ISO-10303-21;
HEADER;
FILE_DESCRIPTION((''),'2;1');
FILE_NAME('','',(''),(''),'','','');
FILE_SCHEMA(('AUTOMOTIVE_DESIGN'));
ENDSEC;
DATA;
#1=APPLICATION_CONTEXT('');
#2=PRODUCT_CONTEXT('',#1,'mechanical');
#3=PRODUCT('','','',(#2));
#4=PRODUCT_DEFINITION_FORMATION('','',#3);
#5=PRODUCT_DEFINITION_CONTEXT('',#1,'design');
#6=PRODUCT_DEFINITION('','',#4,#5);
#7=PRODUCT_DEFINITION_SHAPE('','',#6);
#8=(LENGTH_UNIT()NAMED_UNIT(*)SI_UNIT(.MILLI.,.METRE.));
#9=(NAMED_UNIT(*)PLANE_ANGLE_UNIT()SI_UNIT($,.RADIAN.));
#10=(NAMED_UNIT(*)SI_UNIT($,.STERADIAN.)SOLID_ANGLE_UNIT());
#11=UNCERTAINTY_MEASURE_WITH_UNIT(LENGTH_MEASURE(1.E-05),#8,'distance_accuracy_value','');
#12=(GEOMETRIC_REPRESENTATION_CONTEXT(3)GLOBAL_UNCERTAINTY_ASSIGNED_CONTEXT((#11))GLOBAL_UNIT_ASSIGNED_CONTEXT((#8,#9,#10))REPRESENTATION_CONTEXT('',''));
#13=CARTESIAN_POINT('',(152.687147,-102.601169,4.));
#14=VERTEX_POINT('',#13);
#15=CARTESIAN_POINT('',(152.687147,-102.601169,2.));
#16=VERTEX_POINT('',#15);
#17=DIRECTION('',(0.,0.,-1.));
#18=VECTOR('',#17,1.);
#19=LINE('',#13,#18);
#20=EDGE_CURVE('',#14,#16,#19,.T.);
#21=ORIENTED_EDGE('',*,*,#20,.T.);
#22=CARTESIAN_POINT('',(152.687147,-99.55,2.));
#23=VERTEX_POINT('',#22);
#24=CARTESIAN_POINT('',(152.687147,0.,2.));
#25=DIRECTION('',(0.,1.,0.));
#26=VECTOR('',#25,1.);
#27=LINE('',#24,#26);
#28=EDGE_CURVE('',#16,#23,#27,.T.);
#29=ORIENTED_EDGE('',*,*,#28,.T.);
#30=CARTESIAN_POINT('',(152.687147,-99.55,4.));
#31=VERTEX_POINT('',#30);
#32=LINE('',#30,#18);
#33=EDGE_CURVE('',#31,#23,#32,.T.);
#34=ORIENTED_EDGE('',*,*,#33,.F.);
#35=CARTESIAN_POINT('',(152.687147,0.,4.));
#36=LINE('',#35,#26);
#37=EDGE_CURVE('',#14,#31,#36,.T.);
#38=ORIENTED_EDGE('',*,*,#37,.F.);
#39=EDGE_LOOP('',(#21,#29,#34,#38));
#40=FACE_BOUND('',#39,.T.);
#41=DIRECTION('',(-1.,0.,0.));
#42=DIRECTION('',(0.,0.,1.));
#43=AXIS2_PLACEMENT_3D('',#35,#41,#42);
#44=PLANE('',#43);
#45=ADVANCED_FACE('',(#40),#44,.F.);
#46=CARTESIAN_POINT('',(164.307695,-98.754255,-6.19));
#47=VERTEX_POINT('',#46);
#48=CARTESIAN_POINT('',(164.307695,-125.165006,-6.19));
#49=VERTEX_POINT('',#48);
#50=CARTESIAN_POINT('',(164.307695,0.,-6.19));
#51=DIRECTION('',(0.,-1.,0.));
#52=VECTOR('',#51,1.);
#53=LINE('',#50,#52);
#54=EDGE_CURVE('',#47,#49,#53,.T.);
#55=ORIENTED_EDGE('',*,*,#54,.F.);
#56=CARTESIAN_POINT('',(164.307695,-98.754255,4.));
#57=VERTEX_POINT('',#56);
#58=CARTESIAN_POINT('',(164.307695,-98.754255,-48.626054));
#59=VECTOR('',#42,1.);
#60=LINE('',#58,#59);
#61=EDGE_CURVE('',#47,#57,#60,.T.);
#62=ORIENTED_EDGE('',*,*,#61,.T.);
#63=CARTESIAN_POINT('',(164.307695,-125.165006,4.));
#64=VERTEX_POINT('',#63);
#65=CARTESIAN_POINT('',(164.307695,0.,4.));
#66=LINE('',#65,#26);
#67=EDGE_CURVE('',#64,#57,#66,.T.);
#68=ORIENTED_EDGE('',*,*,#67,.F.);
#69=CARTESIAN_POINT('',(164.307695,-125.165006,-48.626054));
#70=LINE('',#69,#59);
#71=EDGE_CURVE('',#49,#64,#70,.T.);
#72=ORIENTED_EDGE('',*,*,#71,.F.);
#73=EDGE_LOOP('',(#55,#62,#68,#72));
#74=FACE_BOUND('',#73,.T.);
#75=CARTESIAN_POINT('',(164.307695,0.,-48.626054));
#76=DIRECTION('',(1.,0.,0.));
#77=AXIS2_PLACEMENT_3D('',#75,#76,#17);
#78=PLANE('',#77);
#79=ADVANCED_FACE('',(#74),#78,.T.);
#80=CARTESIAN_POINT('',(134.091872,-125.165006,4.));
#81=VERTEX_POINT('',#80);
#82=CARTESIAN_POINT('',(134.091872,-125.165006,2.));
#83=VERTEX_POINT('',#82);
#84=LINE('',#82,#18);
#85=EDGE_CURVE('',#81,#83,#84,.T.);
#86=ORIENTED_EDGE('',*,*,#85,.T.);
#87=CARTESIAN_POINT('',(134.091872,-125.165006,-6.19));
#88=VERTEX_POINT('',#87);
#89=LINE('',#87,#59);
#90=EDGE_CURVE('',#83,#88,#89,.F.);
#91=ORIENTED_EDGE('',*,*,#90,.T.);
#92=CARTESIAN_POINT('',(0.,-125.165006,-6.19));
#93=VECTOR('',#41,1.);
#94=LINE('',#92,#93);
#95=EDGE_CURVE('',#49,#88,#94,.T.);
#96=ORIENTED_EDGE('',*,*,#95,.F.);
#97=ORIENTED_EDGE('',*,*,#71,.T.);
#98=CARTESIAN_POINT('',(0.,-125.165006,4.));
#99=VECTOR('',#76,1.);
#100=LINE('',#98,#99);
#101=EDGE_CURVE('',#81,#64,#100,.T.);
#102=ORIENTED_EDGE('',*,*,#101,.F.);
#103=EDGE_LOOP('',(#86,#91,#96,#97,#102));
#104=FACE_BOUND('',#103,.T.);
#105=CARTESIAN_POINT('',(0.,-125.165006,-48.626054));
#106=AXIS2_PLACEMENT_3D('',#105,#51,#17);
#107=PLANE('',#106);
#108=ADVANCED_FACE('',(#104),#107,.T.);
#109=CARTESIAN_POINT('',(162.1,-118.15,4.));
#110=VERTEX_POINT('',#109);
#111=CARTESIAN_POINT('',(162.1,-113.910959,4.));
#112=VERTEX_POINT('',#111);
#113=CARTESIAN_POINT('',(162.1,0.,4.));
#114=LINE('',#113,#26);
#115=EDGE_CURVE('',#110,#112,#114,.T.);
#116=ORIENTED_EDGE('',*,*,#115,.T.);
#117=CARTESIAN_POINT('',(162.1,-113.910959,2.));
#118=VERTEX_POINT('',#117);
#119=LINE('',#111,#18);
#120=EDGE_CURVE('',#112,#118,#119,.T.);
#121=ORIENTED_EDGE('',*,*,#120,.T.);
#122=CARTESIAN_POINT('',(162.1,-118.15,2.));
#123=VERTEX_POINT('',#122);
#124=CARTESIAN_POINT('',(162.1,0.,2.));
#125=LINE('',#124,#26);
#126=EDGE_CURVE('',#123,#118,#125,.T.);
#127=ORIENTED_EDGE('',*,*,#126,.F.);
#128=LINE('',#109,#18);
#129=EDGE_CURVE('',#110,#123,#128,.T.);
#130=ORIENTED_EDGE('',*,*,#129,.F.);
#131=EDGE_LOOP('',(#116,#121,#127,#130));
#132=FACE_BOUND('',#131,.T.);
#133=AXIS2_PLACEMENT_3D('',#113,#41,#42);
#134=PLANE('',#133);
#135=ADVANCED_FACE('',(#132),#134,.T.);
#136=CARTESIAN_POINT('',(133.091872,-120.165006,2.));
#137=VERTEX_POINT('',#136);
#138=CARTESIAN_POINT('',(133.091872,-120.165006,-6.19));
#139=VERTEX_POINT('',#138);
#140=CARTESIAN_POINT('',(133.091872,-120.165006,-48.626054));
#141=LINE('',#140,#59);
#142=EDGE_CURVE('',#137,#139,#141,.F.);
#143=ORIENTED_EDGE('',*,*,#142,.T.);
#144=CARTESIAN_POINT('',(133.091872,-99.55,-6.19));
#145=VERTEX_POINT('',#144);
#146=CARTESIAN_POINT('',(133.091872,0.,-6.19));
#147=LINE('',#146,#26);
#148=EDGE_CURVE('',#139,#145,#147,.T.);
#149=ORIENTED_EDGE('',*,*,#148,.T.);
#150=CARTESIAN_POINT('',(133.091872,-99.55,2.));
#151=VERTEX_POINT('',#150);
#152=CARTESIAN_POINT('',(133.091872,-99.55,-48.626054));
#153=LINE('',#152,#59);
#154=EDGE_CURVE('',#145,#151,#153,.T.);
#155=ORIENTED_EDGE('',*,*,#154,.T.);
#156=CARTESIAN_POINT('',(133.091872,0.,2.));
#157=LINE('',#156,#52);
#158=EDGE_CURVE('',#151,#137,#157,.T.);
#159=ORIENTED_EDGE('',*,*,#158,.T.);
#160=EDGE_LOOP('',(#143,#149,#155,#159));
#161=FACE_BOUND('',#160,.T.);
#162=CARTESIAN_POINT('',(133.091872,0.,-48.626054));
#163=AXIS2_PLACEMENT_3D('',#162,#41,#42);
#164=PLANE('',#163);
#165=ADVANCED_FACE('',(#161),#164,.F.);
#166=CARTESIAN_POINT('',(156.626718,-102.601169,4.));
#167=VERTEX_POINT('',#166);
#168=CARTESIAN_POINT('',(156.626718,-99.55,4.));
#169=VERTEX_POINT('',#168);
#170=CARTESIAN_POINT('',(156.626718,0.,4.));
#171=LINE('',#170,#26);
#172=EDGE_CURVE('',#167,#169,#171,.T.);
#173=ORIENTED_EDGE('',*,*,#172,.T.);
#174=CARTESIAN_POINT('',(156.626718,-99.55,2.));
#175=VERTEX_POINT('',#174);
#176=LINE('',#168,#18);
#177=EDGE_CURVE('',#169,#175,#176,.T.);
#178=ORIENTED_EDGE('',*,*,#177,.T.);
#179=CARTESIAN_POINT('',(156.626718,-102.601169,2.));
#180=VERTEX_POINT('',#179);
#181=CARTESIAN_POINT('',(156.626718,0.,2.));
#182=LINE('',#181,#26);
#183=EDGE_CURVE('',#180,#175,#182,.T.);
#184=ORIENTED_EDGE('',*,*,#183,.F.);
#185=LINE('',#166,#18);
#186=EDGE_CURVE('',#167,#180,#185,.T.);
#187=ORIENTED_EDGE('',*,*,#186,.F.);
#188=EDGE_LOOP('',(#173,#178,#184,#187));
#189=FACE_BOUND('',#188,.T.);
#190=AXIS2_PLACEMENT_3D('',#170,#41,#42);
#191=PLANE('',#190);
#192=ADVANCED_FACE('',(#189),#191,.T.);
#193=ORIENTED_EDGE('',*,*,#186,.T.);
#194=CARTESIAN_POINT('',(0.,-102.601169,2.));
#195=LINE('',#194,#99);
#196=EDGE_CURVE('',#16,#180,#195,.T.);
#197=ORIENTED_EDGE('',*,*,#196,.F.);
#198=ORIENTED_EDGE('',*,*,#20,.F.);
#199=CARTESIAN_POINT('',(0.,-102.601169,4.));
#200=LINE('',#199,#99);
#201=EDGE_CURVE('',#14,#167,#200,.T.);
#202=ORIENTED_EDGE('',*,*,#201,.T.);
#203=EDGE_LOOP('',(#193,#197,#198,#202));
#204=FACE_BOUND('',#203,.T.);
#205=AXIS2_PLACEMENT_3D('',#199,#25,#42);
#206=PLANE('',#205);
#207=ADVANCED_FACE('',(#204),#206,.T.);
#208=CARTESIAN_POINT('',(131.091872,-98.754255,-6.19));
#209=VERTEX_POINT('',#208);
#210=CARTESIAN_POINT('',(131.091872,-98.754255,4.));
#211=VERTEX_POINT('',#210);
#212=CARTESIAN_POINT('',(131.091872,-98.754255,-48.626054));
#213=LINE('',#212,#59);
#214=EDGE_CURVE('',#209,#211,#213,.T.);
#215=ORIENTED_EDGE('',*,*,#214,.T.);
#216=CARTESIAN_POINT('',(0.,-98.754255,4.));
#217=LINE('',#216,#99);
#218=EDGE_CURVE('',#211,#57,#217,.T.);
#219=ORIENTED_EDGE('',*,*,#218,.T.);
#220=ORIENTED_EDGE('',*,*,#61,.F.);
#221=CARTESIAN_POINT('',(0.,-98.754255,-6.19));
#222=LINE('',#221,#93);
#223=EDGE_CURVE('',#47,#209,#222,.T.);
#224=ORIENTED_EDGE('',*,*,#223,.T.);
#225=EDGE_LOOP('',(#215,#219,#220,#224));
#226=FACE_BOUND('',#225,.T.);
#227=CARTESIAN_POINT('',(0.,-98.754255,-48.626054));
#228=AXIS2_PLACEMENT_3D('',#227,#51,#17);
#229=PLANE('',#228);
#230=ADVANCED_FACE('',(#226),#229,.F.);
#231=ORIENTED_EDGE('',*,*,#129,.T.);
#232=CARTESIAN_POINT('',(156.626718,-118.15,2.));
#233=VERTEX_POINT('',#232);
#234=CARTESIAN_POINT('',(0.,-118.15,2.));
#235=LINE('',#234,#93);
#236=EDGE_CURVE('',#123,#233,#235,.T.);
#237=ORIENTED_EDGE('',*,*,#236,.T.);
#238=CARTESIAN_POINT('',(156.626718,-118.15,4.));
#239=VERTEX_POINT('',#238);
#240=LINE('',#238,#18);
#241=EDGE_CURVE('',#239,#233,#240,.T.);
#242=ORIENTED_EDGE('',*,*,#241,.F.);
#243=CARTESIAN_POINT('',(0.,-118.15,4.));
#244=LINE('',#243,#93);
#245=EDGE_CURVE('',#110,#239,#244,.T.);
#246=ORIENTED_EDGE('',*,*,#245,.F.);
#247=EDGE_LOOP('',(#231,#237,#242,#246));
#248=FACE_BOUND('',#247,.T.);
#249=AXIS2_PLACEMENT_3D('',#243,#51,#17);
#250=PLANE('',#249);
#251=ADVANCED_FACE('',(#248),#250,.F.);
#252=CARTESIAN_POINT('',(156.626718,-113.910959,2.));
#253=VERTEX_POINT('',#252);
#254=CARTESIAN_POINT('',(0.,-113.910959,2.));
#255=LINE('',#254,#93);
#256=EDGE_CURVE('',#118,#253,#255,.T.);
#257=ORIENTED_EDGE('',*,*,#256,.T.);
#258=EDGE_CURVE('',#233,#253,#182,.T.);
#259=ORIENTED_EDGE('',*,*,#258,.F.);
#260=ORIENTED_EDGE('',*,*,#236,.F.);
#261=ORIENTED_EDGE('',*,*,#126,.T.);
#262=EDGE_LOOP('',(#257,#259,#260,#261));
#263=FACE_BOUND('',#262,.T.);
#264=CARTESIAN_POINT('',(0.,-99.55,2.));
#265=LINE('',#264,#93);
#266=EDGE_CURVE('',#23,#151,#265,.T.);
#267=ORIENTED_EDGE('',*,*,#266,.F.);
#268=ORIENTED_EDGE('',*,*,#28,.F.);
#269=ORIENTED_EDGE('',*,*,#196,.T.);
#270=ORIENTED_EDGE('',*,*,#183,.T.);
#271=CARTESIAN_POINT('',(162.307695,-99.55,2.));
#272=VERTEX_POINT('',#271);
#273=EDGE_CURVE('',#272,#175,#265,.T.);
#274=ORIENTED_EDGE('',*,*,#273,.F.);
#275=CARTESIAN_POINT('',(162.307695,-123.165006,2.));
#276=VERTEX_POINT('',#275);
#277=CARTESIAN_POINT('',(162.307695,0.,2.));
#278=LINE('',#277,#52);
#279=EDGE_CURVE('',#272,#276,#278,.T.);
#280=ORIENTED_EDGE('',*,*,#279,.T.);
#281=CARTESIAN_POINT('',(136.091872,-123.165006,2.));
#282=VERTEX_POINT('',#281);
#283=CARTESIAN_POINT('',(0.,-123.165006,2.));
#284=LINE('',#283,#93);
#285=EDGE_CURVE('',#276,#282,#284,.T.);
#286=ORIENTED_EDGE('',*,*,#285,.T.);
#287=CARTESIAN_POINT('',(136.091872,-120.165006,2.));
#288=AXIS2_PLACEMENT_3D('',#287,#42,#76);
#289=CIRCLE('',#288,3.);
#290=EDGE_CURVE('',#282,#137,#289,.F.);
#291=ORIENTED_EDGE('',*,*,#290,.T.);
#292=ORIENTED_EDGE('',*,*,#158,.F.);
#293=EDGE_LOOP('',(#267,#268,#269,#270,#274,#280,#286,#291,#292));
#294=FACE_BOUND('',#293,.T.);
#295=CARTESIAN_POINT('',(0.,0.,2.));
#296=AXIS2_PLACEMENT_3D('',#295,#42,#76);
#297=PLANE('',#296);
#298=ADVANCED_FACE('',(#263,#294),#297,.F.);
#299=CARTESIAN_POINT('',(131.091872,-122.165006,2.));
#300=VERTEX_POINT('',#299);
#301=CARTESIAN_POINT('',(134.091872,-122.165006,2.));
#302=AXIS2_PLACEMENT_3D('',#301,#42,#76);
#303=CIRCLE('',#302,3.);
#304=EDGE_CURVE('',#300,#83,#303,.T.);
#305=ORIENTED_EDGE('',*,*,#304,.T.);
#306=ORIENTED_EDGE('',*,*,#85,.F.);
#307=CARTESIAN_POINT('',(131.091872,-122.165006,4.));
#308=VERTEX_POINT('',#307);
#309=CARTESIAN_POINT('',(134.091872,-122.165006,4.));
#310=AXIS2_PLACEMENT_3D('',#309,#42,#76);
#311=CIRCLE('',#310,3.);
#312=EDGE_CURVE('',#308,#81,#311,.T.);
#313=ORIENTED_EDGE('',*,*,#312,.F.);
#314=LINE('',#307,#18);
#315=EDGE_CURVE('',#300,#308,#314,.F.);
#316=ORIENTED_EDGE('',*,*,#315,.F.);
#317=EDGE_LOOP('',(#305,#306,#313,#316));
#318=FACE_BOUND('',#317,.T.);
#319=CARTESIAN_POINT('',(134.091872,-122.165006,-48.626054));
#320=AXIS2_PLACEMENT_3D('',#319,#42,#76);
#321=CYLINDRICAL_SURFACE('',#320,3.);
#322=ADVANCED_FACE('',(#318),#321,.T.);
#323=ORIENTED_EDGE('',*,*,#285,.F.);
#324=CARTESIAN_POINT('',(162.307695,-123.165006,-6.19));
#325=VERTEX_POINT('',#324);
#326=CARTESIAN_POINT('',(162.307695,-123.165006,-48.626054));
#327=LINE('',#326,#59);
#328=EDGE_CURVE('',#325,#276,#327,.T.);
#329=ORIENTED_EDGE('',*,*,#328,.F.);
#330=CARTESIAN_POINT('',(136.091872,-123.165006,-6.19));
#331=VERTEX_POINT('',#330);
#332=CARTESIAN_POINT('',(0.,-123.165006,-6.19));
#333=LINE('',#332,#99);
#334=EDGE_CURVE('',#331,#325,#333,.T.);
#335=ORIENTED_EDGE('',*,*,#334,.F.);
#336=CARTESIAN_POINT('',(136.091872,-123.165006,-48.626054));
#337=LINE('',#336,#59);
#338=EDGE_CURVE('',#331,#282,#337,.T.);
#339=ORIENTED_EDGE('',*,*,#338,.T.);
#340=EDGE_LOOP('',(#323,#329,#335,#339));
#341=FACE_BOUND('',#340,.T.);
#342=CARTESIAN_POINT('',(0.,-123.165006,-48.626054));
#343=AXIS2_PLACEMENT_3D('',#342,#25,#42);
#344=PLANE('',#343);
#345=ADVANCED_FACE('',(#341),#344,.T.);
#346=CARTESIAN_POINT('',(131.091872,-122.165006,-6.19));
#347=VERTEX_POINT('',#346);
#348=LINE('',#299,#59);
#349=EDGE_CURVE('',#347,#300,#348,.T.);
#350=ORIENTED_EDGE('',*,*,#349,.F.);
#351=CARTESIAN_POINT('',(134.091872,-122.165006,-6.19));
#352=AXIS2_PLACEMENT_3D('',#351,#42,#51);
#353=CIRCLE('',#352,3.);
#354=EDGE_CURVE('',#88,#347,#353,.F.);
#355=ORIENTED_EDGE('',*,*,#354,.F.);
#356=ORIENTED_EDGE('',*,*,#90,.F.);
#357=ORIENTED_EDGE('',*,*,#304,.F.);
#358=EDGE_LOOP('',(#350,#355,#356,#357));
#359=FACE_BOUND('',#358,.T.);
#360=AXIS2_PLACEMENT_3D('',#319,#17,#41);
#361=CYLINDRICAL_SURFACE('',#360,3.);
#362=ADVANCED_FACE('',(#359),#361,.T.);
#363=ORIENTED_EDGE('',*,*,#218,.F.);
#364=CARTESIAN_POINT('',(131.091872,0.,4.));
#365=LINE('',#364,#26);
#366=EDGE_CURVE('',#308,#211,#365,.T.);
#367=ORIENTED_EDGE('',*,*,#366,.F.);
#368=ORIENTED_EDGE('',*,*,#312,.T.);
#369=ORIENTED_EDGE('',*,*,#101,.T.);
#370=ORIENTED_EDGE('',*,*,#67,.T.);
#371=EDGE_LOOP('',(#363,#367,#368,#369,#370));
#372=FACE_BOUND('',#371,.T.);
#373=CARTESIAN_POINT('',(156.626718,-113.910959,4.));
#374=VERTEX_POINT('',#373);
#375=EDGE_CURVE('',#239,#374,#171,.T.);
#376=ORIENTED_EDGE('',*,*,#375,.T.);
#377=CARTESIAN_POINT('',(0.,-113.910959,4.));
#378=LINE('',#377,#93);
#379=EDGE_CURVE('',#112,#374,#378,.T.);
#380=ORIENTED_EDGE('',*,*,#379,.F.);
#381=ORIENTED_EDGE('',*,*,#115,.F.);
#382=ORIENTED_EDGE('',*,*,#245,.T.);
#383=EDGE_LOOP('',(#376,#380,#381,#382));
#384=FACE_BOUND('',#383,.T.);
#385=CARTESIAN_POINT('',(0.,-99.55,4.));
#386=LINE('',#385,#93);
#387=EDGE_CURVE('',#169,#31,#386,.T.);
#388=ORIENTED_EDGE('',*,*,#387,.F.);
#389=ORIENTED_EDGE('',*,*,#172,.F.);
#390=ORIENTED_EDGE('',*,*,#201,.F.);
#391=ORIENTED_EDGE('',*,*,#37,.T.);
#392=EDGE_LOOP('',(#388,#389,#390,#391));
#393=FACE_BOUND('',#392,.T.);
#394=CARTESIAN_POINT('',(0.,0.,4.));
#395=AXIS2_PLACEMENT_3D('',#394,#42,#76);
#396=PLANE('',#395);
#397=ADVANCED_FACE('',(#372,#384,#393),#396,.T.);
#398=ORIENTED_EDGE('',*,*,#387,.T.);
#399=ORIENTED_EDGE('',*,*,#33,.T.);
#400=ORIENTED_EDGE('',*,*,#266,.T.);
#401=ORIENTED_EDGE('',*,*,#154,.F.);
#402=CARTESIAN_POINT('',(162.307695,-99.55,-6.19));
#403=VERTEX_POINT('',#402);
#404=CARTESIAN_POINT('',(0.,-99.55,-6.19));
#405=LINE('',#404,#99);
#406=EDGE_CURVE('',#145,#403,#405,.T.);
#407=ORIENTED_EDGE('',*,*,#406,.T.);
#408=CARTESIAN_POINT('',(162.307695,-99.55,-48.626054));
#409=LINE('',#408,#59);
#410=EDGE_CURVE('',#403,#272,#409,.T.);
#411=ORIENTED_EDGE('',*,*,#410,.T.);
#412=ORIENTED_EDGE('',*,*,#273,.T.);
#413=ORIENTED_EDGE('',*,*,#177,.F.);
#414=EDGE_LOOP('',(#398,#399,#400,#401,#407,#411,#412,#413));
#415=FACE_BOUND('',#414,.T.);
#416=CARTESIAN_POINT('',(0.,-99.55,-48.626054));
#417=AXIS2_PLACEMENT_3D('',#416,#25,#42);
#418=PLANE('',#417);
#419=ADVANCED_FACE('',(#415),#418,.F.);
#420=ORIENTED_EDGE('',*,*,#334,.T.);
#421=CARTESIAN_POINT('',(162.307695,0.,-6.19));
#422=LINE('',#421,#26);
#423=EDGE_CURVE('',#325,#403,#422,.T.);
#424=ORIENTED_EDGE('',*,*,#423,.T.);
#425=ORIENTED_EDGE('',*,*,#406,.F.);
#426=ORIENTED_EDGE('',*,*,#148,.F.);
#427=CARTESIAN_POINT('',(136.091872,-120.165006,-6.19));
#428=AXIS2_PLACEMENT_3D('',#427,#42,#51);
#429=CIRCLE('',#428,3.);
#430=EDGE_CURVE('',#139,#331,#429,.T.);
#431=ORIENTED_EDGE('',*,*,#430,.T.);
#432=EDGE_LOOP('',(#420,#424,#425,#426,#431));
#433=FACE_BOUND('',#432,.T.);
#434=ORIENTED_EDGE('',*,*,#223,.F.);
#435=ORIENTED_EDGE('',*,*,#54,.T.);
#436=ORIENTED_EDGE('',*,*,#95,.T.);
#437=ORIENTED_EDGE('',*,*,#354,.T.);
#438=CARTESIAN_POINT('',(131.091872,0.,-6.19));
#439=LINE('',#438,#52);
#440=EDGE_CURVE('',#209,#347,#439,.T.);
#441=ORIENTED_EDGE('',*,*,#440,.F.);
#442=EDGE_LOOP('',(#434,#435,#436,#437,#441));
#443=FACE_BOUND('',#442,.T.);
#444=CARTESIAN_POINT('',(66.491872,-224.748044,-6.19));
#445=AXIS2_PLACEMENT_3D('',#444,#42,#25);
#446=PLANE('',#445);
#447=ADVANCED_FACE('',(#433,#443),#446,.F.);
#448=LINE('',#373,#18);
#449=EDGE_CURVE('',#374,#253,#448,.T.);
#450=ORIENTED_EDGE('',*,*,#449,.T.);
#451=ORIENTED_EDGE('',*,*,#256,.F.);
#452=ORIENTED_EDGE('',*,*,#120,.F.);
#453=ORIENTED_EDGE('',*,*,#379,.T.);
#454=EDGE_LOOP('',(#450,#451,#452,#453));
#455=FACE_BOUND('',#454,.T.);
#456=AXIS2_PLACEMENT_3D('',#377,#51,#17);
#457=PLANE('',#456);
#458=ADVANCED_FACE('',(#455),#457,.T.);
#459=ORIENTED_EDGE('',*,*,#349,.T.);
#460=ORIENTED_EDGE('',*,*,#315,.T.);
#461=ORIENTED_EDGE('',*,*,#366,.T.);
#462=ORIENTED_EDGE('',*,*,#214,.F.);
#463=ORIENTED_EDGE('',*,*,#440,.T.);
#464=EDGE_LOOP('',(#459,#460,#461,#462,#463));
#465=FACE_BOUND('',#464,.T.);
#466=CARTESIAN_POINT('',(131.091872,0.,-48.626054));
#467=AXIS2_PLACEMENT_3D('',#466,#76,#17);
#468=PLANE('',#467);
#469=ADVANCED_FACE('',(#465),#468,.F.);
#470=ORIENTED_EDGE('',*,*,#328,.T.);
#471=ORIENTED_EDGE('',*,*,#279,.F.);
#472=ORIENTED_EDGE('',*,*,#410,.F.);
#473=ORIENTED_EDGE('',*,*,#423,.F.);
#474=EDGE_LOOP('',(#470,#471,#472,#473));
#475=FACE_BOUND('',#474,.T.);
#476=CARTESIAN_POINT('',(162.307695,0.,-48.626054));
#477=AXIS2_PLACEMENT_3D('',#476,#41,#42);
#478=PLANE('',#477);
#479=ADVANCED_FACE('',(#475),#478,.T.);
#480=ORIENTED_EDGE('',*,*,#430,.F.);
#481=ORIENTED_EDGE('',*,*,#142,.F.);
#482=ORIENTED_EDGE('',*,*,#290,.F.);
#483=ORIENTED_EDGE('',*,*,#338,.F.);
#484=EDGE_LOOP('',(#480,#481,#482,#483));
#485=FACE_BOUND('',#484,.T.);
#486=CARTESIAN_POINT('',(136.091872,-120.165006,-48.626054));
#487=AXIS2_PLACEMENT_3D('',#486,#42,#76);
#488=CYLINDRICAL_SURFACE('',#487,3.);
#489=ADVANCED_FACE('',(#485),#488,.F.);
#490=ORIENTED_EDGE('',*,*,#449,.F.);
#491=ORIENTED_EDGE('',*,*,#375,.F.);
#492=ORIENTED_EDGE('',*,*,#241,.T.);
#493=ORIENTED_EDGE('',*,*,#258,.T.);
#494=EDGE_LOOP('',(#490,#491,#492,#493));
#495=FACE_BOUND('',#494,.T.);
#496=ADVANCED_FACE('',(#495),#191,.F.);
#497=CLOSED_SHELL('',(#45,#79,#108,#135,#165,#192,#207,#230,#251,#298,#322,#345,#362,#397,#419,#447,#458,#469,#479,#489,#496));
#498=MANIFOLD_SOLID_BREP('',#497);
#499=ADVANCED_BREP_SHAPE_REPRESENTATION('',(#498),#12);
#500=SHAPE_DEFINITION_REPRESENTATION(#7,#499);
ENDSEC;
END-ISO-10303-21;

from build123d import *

# Parameters (mm, degrees)
PERIMETER_START     = -6.19
PERIMETER_DEPTH     = 8.19
FILLET1_R           = 3
BOSS_EXTRUDE3_START = 2
SKETCH2_8_W         = 5.473282091
SKETCH2_8_H         = 4.239040608
BOSS_EXTRUDE3_DEPTH = 2
FILLET3_R           = 3


with BuildPart() as part:
    # Sketch2 → Perimeter (new body)
    with BuildSketch(Plane.XY.offset(PERIMETER_START)):
        Polygon((131.091872, -113.860488221), (131.091872, -125.165005986), (164.307694987, -125.165005986), (164.307694987, -114.861877626), (164.307694987, -107.096275934), (164.307694987, -98.754254601), (131.091872, -98.754254601), (131.091872, -106.09488653), align=None)
        Polygon((133.091872, -99.55), (152.68714679, -99.55), (156.626717909, -99.55), (162.307694987, -99.55), (162.307694987, -123.165005986), (133.091872, -123.165005986), align=None, mode=Mode.SUBTRACT)
    extrude(amount=PERIMETER_DEPTH)

    # Fillet1
    fillet1_edges = [part.edges().sort_by_distance(p)[0] for p in [
        (133.091872, -123.165005986, -2.095),
        (131.091872, -125.165005986, -2.095),
    ]]
    fillet(fillet1_edges, radius=FILLET1_R)

    # Sketch2<8> → Boss-Extrude3 (add)
    # profile 1 of 2: a face of its own
    with BuildSketch(Plane.XY.offset(BOSS_EXTRUDE3_START)):
        Polygon((131.091872, -113.860488221), (131.091872, -125.165005986), (164.307694987, -125.165005986), (164.307694987, -114.861877626), (164.307694987, -107.096275934), (164.307694987, -98.754254601), (131.091872, -98.754254601), (131.091872, -106.09488653), align=None)
        Polygon((133.091872, -99.55), (152.68714679, -99.55), (156.626717909, -99.55), (162.307694987, -99.55), (162.307694987, -123.165005986), (133.091872, -123.165005986), align=None, mode=Mode.SUBTRACT)
    # profile 2 of 2: a face of its own
    with BuildSketch(Plane.XY.offset(BOSS_EXTRUDE3_START)):
        Polygon((156.626717909, -102.601169367), (152.68714679, -102.601169367), (152.68714679, -99.55), (133.091872, -99.55), (133.091872, -123.165005986), (162.307694987, -123.165005986), (162.307694987, -99.55), (156.626717909, -99.55), align=None)
        with Locations((159.363358955, -116.030479696)):
            Rectangle(SKETCH2_8_W, SKETCH2_8_H, mode=Mode.SUBTRACT)
    extrude(amount=BOSS_EXTRUDE3_DEPTH)

    # Fillet3
    fillet3_edges = [part.edges().sort_by_distance(p)[0] for p in [
        (131.091872, -125.165005986, 3),
    ]]
    fillet(fillet3_edges, radius=FILLET3_R)


solid = part.part
